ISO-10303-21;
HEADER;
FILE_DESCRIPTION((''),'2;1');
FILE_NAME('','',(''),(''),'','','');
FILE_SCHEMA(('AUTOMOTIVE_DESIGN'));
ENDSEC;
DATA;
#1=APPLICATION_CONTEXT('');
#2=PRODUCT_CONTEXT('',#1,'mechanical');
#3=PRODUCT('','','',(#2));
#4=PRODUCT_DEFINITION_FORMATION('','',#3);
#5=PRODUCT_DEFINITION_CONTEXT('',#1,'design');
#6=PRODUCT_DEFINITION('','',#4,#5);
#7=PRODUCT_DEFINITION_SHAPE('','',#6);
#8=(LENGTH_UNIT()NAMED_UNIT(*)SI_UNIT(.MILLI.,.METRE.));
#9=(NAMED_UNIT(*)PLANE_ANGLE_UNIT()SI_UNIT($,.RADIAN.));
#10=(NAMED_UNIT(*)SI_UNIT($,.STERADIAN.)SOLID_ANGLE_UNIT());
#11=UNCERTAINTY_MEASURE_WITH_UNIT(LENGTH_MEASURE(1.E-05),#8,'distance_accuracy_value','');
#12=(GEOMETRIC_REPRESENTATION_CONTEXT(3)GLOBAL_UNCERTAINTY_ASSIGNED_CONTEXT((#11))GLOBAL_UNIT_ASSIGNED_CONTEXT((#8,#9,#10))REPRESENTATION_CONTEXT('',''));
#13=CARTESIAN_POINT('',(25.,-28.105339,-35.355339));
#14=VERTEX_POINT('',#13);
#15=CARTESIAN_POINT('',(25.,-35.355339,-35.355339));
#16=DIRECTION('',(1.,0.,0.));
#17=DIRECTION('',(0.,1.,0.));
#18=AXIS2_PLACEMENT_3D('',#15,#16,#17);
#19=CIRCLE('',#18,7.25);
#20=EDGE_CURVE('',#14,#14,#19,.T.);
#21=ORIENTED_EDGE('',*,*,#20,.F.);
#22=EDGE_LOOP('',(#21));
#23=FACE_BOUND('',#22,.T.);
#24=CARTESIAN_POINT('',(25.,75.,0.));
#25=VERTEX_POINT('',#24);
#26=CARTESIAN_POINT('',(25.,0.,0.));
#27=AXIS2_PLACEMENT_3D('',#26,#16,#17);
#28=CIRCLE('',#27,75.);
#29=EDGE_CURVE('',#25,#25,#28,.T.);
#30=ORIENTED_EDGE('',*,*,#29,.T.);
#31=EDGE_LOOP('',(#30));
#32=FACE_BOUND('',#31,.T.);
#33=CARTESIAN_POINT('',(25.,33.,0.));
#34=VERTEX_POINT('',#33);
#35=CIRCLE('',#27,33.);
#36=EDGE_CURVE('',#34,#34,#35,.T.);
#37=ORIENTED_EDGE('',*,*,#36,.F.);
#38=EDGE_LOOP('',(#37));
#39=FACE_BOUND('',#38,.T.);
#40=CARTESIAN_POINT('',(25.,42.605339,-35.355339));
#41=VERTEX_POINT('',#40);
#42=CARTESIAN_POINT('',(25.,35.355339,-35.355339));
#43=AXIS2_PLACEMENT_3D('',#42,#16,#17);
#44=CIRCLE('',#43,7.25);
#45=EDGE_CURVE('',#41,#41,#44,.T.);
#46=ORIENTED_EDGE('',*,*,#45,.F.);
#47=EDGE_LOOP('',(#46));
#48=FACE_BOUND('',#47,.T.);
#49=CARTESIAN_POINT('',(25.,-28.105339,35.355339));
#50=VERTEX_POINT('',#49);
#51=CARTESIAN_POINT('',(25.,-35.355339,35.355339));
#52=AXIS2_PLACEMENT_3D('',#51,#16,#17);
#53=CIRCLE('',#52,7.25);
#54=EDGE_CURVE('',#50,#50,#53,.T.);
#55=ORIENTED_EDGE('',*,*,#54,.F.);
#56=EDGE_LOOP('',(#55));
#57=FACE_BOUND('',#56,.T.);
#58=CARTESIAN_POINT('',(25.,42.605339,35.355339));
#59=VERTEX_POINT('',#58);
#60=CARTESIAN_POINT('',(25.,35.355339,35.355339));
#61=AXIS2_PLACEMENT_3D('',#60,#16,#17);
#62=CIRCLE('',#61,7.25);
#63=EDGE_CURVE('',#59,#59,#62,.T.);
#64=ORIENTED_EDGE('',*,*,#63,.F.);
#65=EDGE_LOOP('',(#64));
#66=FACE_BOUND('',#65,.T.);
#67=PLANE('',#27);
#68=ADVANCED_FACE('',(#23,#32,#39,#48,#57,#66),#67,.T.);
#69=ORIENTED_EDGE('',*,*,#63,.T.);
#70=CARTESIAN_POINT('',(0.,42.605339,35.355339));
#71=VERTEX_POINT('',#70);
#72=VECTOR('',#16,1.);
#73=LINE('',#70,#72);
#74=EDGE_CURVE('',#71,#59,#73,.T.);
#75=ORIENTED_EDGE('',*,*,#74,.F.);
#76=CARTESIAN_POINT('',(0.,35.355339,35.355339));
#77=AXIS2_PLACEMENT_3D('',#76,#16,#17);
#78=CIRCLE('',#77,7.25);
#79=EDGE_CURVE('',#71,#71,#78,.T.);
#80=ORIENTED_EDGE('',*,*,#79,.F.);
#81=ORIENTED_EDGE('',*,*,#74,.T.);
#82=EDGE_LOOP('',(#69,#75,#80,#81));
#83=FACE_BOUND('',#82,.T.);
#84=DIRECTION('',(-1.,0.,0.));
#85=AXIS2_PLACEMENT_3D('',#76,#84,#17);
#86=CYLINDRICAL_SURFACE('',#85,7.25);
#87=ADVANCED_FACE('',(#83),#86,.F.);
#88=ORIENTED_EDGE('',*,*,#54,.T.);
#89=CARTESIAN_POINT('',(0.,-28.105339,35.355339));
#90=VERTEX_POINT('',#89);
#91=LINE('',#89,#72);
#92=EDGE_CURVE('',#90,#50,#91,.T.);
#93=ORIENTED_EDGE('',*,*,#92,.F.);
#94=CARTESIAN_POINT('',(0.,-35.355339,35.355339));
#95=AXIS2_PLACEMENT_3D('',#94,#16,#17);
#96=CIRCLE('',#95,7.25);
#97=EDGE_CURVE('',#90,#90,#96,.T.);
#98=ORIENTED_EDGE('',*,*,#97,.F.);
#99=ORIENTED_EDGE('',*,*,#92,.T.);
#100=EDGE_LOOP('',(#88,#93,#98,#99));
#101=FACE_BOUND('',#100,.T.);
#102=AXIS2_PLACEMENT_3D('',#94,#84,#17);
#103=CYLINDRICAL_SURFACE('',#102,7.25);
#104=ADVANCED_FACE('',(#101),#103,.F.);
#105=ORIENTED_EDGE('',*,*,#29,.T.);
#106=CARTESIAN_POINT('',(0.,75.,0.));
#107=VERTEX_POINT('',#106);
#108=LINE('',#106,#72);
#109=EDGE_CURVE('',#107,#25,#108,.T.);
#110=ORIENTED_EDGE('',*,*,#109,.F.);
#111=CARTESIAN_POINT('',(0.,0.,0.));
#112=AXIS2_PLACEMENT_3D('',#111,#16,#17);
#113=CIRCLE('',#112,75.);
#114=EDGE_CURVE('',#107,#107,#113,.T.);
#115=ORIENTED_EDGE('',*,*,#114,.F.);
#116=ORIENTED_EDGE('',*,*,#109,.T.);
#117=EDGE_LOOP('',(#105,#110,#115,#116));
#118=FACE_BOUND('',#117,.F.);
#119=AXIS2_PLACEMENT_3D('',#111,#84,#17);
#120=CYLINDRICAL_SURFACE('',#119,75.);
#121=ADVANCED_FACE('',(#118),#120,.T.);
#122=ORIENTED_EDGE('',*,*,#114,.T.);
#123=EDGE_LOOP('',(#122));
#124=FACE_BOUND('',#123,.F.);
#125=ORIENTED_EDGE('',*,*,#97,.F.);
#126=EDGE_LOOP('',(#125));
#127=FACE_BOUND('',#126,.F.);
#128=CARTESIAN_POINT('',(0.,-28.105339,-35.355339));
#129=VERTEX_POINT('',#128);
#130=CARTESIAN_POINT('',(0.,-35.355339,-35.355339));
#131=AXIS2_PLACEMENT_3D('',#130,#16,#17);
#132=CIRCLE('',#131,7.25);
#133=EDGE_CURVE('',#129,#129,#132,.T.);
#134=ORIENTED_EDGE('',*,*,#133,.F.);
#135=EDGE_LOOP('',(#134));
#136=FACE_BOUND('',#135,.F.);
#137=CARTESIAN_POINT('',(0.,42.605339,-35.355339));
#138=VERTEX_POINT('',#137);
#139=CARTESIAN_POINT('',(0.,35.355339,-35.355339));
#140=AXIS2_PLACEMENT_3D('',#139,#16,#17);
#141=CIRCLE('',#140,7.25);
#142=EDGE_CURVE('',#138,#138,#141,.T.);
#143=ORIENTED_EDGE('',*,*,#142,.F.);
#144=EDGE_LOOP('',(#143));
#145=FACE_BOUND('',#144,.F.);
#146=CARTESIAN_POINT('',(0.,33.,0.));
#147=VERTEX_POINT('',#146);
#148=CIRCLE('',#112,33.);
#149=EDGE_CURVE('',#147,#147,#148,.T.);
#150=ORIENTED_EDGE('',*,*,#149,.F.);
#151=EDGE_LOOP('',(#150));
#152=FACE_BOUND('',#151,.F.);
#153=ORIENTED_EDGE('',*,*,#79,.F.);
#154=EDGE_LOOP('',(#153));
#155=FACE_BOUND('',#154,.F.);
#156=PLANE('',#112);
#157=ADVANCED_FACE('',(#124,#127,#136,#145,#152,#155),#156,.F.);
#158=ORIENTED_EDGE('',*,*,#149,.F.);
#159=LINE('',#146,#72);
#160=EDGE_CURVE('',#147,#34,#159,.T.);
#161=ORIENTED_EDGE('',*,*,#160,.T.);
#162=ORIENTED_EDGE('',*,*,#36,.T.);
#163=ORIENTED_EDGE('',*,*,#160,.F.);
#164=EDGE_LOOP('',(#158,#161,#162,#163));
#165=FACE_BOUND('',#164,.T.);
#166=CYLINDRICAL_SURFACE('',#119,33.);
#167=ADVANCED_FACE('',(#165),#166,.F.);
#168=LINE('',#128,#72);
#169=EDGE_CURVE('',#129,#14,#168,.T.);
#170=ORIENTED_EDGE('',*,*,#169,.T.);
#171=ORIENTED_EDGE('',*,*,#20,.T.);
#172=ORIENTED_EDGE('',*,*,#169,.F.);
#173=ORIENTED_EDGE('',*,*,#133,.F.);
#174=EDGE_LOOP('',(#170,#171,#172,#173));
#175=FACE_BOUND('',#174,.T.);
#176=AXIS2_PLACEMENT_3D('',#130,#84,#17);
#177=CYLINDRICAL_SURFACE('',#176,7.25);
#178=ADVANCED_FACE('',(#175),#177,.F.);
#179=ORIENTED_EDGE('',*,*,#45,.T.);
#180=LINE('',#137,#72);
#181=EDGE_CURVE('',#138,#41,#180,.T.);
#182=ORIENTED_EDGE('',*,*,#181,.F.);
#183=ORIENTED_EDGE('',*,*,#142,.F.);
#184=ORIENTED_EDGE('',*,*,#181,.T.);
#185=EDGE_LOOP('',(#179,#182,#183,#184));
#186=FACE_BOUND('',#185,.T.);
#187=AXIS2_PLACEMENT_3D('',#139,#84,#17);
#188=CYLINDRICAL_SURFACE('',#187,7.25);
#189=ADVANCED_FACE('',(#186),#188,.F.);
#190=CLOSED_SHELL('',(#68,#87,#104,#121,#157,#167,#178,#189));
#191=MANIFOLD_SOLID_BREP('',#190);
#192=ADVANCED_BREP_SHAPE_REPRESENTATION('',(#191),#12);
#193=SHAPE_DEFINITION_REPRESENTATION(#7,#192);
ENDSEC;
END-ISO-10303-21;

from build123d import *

# Parameters (mm, degrees)
F0_R     = 75
F0_R_2   = 7.25
F0_R_3   = 33
F1_DEPTH = 25


with BuildPart() as f1:
    # F0 (on Right) → F1 (new body)
    with BuildSketch(Plane.YZ):
        Circle(F0_R)
        with Locations((-35.355339, -35.355339)):
            Circle(F0_R_2, mode=Mode.SUBTRACT)
        with Locations((35.355339, -35.355339)):
            Circle(F0_R_2, mode=Mode.SUBTRACT)
        with Locations((-35.355339, 35.355339)):
            Circle(F0_R_2, mode=Mode.SUBTRACT)
        Circle(F0_R_3, mode=Mode.SUBTRACT)
        with Locations((35.355339, 35.355339)):
            Circle(F0_R_2, mode=Mode.SUBTRACT)
    extrude(amount=F1_DEPTH)


solid = f1.part
